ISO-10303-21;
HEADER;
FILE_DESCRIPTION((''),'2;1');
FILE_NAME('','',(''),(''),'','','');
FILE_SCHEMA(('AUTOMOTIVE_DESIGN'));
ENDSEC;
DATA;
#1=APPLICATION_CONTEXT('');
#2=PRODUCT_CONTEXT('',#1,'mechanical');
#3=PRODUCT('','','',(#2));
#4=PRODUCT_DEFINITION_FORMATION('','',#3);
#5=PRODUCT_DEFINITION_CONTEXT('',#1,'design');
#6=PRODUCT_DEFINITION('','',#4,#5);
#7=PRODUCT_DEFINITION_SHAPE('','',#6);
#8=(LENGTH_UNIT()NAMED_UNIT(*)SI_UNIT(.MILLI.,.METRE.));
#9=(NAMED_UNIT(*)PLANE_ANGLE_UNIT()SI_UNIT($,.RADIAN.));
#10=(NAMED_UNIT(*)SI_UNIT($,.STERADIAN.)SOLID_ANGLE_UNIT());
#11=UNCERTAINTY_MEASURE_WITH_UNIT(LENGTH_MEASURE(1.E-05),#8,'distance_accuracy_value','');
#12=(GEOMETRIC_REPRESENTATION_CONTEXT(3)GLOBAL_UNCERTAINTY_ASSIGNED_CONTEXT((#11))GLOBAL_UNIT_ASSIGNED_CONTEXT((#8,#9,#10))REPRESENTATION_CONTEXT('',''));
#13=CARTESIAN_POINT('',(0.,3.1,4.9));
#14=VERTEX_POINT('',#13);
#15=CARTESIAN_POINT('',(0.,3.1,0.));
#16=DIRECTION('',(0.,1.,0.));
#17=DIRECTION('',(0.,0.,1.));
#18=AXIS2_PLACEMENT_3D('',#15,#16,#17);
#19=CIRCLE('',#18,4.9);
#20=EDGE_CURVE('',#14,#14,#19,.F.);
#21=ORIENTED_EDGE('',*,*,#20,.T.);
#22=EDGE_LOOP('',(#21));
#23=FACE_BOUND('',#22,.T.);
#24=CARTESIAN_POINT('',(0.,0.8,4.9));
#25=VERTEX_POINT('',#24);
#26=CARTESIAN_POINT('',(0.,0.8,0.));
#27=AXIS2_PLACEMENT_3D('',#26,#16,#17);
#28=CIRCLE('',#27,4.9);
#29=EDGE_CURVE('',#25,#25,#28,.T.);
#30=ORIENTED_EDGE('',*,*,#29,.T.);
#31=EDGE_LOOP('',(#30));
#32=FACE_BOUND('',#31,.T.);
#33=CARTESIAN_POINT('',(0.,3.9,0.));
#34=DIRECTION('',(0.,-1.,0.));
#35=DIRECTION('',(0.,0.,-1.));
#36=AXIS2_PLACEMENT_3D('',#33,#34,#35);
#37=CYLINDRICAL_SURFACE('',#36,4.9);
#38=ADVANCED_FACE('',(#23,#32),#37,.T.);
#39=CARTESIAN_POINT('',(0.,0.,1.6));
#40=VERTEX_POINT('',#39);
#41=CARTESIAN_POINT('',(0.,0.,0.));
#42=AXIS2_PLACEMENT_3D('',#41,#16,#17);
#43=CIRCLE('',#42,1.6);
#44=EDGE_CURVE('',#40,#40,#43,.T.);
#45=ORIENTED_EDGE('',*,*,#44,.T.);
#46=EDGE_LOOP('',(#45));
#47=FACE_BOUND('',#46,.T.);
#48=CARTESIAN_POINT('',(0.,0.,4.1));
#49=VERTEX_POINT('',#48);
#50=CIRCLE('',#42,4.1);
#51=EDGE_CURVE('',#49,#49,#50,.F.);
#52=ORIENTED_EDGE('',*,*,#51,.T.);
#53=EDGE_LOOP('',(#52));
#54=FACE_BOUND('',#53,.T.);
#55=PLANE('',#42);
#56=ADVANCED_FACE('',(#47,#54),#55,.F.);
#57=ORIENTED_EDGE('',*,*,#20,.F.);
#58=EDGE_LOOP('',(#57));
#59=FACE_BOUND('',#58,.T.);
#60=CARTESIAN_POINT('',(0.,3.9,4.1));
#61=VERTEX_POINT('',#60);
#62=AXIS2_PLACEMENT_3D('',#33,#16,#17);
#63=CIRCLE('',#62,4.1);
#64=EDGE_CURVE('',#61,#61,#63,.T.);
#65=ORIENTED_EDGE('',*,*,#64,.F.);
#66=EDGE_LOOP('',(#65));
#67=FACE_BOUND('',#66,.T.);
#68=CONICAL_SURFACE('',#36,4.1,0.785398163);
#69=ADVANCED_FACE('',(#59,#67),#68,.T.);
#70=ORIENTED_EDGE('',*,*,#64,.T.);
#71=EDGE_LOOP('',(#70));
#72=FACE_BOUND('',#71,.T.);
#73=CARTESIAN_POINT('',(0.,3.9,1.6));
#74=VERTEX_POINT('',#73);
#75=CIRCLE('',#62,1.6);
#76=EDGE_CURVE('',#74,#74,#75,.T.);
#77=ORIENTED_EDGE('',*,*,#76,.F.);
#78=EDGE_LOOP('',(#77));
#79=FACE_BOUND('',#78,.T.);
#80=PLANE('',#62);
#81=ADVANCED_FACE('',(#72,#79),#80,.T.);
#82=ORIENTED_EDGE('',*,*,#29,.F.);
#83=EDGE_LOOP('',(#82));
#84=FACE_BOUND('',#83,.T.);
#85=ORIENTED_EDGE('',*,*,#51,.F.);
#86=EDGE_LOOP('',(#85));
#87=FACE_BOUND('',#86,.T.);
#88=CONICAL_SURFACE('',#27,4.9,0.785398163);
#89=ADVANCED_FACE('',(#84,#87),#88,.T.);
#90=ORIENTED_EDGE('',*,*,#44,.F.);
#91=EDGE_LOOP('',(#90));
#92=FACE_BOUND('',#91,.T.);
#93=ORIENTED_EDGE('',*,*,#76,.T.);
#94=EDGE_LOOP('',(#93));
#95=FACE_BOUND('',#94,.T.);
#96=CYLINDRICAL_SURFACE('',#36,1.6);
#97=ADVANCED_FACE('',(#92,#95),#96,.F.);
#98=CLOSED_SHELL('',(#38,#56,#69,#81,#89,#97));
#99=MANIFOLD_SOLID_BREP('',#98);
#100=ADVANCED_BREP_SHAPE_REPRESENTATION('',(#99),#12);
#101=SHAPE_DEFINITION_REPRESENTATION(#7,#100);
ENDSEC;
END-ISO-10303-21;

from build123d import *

# Parameters (mm, degrees)
SKETCH1_R           = 4.9
SKETCH1_R_2         = 1.6
BOSS_EXTRUDE1_DEPTH = 3.9
CHAMFER1_SIZE       = 0.8


with BuildPart() as part:
    # Sketch1 → Boss-Extrude1 (new body)
    with BuildSketch(Plane(origin=(0, 0, 0), x_dir=(1, 0, 0), z_dir=(0, 1, 0))):
        with Locations(Location((0, 0, 0), (0, 0, 270))):
            Circle(SKETCH1_R)
        with Locations(Location((0, 0, 0), (0, 0, 270))):
            Circle(SKETCH1_R_2, mode=Mode.SUBTRACT)
    extrude(amount=BOSS_EXTRUDE1_DEPTH)

    # Chamfer1
    chamfer1_edges = [part.edges().sort_by_distance(p)[0] for p in [
        (0, 0, -4.9),
        (0, 3.9, -4.9),
    ]]
    chamfer(chamfer1_edges, length=CHAMFER1_SIZE)


solid = part.part
